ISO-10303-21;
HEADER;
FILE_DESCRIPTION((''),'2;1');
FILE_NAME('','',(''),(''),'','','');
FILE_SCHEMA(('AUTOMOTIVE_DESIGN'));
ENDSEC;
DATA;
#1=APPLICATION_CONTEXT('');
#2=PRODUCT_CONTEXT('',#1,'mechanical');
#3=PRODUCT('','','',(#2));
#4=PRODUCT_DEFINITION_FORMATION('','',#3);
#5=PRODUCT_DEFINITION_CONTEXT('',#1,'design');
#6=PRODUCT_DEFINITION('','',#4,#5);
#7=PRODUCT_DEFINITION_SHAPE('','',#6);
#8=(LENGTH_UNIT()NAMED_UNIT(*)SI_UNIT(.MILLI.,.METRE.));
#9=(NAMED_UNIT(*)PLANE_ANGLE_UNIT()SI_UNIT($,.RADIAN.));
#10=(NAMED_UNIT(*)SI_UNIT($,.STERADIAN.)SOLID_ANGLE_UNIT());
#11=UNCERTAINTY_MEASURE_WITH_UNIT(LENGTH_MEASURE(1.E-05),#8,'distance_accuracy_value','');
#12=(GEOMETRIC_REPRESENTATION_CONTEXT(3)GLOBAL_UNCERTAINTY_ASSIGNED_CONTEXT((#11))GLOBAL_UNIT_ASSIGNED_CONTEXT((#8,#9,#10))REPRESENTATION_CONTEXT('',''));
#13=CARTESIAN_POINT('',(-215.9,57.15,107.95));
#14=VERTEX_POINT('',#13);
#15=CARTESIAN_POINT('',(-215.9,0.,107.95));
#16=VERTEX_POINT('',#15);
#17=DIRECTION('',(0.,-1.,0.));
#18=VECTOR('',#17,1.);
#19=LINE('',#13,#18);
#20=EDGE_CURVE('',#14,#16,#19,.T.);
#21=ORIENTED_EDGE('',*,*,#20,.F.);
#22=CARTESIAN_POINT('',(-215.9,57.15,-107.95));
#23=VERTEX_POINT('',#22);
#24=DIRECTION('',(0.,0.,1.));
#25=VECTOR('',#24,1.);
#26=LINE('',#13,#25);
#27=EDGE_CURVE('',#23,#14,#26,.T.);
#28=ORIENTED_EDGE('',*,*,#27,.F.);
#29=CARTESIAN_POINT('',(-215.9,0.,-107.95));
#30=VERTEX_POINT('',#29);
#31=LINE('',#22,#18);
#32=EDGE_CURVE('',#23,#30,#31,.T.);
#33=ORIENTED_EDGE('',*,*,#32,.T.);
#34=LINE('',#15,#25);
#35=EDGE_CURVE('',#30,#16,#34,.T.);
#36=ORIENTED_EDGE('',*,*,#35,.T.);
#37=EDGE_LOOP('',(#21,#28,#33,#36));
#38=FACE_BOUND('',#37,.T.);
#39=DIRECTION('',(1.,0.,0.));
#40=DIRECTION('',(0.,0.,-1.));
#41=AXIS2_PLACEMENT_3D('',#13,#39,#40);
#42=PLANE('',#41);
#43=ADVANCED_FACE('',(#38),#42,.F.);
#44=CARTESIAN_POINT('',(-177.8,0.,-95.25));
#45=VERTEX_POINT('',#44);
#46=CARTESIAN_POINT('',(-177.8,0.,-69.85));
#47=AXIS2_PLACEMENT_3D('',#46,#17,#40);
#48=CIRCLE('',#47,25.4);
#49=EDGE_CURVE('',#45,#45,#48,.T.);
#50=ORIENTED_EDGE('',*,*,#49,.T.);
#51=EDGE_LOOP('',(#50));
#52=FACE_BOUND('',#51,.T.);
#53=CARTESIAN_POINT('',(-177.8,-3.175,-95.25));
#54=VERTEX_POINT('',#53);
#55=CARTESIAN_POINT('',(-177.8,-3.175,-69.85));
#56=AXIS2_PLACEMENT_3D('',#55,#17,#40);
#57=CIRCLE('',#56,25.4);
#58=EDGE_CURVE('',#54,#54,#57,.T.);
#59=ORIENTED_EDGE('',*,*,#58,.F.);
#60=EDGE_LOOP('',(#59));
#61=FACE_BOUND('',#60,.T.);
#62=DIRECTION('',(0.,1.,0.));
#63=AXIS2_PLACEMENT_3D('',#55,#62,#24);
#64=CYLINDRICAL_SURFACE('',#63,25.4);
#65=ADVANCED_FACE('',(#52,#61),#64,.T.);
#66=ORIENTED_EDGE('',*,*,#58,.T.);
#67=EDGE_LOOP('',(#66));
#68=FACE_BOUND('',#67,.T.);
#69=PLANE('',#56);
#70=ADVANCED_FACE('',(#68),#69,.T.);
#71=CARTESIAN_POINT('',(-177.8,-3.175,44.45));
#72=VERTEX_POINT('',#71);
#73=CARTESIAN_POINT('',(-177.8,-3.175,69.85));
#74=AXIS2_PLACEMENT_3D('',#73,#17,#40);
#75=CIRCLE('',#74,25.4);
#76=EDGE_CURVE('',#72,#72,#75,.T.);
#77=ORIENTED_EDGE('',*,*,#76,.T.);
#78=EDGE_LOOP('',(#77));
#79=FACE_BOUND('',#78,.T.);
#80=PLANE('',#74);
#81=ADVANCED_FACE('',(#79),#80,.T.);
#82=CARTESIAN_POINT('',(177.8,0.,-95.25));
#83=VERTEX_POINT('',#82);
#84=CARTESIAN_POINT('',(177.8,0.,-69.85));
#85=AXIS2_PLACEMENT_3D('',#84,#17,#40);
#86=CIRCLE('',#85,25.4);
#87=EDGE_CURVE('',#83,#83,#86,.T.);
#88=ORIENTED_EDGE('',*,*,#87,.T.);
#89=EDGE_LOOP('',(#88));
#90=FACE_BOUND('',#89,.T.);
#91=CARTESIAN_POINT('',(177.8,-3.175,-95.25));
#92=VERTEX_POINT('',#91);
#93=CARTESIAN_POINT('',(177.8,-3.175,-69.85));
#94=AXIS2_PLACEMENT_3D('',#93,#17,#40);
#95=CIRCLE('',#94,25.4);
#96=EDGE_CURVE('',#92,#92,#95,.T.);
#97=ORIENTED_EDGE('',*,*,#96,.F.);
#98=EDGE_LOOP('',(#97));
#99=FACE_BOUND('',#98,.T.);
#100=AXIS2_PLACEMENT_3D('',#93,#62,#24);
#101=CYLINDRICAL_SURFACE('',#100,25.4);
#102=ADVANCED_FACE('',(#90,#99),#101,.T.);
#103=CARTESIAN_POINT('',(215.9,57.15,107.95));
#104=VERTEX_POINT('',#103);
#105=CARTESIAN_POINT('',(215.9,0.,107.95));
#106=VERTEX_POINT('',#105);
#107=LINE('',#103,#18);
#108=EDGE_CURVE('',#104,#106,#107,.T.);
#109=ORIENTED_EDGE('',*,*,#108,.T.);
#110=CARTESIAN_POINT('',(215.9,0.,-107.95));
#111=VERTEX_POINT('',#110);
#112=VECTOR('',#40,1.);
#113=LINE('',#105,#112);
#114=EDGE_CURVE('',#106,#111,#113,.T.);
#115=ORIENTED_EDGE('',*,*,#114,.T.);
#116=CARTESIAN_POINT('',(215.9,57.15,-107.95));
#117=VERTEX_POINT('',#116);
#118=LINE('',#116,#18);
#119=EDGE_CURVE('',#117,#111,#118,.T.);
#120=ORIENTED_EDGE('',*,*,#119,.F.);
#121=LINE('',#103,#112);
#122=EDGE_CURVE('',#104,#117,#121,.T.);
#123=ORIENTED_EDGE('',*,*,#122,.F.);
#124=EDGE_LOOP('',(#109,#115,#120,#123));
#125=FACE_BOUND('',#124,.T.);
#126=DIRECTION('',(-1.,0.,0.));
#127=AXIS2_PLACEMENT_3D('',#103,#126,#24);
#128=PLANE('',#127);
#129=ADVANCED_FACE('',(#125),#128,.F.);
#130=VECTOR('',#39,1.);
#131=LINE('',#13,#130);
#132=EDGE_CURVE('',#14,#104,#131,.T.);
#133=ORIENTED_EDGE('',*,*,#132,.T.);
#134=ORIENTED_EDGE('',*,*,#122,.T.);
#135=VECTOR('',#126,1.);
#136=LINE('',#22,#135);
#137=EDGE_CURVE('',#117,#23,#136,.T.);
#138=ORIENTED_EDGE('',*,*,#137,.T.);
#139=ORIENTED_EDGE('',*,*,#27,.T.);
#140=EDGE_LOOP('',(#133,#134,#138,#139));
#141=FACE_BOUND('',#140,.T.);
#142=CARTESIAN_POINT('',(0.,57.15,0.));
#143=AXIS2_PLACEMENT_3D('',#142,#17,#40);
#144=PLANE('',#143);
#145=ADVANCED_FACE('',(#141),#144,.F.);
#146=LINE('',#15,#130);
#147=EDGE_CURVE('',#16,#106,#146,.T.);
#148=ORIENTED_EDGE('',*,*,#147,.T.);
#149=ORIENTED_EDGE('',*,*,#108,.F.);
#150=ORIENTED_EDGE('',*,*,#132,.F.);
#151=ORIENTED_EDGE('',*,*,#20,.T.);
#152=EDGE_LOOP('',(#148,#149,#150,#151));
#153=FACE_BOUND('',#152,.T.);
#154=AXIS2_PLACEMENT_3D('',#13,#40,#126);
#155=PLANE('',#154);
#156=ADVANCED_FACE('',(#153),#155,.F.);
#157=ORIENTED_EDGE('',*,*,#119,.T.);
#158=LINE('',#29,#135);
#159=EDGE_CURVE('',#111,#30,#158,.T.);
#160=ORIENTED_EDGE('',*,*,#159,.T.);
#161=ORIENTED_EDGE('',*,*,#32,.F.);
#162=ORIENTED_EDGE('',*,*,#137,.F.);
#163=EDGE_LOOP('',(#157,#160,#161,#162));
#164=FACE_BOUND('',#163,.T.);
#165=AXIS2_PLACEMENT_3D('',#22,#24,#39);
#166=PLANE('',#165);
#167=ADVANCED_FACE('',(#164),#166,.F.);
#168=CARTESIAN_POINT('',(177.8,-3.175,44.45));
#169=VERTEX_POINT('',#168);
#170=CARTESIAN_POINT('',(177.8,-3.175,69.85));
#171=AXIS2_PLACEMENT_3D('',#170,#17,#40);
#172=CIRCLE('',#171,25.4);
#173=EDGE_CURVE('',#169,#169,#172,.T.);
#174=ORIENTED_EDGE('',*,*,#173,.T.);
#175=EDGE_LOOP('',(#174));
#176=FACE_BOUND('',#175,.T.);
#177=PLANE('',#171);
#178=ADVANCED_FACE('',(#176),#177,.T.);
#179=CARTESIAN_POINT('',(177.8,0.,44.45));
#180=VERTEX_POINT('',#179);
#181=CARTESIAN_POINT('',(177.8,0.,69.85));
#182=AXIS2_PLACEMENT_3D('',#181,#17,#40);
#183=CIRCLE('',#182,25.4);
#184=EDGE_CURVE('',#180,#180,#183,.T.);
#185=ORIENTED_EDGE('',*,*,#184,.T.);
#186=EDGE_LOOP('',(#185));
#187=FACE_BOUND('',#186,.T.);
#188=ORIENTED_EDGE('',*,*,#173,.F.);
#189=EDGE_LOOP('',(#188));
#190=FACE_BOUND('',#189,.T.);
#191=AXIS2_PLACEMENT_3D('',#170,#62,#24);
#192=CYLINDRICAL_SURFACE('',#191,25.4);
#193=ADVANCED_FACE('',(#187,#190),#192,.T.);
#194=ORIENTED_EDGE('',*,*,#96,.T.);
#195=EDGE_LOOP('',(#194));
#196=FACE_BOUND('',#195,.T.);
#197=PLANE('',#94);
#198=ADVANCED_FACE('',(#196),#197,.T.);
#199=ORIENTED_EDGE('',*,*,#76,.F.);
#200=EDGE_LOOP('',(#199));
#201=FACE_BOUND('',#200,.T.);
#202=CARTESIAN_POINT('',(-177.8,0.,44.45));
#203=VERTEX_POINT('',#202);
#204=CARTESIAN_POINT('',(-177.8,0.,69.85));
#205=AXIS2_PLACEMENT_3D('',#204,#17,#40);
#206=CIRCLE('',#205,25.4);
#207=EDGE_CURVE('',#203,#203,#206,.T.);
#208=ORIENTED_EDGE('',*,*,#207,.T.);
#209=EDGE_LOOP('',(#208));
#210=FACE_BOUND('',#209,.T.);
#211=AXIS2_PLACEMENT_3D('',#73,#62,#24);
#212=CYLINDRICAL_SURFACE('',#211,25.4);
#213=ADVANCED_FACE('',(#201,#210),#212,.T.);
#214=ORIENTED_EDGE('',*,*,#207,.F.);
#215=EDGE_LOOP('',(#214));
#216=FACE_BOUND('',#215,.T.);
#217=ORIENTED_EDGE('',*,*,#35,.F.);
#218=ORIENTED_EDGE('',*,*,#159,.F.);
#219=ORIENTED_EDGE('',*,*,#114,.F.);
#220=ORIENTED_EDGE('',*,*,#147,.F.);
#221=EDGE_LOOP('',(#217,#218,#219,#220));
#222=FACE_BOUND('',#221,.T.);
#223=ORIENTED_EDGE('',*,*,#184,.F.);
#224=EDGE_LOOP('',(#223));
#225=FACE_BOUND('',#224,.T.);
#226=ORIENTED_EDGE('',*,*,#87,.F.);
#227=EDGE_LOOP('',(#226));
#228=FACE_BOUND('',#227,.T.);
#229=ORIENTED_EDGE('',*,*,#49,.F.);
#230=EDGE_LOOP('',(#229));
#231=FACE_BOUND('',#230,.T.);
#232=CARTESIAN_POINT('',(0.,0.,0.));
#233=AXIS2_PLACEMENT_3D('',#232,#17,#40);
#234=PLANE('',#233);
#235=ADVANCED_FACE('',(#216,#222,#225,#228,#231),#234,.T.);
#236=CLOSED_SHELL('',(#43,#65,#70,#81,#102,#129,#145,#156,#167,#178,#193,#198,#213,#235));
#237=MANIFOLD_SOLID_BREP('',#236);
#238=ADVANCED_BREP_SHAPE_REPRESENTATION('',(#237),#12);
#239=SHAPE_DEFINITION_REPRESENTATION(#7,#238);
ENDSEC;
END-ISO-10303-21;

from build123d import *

# Parameters (mm, degrees)
SKETCH1_W           = 431.8
SKETCH1_H           = 215.9
BOSS_EXTRUDE1_DEPTH = 57.15
SKETCH2_R           = 25.4
BOSS_EXTRUDE2_DEPTH = 3.175


with BuildPart() as part:
    # Sketch1 → Boss-Extrude1 (new body)
    with BuildSketch(Plane(origin=(0, 0, 0), x_dir=(1, 0, 0), z_dir=(0, 1, 0))):
        Rectangle(SKETCH1_W, SKETCH1_H)
    extrude(amount=BOSS_EXTRUDE1_DEPTH)

    # Sketch2 → Boss-Extrude2 (add)
    with BuildSketch(Plane.XZ):
        with Locations(Location((-177.8, 69.85, 0), (0, 0, 270))):
            Circle(SKETCH2_R)
        with Locations(Location((-177.8, -69.85, 0), (0, 0, 270))):
            Circle(SKETCH2_R)
        with Locations(Location((177.8, -69.85, 0), (0, 0, 270))):
            Circle(SKETCH2_R)
        with Locations(Location((177.8, 69.85, 0), (0, 0, 270))):
            Circle(SKETCH2_R)
    extrude(amount=BOSS_EXTRUDE2_DEPTH)


solid = part.part
